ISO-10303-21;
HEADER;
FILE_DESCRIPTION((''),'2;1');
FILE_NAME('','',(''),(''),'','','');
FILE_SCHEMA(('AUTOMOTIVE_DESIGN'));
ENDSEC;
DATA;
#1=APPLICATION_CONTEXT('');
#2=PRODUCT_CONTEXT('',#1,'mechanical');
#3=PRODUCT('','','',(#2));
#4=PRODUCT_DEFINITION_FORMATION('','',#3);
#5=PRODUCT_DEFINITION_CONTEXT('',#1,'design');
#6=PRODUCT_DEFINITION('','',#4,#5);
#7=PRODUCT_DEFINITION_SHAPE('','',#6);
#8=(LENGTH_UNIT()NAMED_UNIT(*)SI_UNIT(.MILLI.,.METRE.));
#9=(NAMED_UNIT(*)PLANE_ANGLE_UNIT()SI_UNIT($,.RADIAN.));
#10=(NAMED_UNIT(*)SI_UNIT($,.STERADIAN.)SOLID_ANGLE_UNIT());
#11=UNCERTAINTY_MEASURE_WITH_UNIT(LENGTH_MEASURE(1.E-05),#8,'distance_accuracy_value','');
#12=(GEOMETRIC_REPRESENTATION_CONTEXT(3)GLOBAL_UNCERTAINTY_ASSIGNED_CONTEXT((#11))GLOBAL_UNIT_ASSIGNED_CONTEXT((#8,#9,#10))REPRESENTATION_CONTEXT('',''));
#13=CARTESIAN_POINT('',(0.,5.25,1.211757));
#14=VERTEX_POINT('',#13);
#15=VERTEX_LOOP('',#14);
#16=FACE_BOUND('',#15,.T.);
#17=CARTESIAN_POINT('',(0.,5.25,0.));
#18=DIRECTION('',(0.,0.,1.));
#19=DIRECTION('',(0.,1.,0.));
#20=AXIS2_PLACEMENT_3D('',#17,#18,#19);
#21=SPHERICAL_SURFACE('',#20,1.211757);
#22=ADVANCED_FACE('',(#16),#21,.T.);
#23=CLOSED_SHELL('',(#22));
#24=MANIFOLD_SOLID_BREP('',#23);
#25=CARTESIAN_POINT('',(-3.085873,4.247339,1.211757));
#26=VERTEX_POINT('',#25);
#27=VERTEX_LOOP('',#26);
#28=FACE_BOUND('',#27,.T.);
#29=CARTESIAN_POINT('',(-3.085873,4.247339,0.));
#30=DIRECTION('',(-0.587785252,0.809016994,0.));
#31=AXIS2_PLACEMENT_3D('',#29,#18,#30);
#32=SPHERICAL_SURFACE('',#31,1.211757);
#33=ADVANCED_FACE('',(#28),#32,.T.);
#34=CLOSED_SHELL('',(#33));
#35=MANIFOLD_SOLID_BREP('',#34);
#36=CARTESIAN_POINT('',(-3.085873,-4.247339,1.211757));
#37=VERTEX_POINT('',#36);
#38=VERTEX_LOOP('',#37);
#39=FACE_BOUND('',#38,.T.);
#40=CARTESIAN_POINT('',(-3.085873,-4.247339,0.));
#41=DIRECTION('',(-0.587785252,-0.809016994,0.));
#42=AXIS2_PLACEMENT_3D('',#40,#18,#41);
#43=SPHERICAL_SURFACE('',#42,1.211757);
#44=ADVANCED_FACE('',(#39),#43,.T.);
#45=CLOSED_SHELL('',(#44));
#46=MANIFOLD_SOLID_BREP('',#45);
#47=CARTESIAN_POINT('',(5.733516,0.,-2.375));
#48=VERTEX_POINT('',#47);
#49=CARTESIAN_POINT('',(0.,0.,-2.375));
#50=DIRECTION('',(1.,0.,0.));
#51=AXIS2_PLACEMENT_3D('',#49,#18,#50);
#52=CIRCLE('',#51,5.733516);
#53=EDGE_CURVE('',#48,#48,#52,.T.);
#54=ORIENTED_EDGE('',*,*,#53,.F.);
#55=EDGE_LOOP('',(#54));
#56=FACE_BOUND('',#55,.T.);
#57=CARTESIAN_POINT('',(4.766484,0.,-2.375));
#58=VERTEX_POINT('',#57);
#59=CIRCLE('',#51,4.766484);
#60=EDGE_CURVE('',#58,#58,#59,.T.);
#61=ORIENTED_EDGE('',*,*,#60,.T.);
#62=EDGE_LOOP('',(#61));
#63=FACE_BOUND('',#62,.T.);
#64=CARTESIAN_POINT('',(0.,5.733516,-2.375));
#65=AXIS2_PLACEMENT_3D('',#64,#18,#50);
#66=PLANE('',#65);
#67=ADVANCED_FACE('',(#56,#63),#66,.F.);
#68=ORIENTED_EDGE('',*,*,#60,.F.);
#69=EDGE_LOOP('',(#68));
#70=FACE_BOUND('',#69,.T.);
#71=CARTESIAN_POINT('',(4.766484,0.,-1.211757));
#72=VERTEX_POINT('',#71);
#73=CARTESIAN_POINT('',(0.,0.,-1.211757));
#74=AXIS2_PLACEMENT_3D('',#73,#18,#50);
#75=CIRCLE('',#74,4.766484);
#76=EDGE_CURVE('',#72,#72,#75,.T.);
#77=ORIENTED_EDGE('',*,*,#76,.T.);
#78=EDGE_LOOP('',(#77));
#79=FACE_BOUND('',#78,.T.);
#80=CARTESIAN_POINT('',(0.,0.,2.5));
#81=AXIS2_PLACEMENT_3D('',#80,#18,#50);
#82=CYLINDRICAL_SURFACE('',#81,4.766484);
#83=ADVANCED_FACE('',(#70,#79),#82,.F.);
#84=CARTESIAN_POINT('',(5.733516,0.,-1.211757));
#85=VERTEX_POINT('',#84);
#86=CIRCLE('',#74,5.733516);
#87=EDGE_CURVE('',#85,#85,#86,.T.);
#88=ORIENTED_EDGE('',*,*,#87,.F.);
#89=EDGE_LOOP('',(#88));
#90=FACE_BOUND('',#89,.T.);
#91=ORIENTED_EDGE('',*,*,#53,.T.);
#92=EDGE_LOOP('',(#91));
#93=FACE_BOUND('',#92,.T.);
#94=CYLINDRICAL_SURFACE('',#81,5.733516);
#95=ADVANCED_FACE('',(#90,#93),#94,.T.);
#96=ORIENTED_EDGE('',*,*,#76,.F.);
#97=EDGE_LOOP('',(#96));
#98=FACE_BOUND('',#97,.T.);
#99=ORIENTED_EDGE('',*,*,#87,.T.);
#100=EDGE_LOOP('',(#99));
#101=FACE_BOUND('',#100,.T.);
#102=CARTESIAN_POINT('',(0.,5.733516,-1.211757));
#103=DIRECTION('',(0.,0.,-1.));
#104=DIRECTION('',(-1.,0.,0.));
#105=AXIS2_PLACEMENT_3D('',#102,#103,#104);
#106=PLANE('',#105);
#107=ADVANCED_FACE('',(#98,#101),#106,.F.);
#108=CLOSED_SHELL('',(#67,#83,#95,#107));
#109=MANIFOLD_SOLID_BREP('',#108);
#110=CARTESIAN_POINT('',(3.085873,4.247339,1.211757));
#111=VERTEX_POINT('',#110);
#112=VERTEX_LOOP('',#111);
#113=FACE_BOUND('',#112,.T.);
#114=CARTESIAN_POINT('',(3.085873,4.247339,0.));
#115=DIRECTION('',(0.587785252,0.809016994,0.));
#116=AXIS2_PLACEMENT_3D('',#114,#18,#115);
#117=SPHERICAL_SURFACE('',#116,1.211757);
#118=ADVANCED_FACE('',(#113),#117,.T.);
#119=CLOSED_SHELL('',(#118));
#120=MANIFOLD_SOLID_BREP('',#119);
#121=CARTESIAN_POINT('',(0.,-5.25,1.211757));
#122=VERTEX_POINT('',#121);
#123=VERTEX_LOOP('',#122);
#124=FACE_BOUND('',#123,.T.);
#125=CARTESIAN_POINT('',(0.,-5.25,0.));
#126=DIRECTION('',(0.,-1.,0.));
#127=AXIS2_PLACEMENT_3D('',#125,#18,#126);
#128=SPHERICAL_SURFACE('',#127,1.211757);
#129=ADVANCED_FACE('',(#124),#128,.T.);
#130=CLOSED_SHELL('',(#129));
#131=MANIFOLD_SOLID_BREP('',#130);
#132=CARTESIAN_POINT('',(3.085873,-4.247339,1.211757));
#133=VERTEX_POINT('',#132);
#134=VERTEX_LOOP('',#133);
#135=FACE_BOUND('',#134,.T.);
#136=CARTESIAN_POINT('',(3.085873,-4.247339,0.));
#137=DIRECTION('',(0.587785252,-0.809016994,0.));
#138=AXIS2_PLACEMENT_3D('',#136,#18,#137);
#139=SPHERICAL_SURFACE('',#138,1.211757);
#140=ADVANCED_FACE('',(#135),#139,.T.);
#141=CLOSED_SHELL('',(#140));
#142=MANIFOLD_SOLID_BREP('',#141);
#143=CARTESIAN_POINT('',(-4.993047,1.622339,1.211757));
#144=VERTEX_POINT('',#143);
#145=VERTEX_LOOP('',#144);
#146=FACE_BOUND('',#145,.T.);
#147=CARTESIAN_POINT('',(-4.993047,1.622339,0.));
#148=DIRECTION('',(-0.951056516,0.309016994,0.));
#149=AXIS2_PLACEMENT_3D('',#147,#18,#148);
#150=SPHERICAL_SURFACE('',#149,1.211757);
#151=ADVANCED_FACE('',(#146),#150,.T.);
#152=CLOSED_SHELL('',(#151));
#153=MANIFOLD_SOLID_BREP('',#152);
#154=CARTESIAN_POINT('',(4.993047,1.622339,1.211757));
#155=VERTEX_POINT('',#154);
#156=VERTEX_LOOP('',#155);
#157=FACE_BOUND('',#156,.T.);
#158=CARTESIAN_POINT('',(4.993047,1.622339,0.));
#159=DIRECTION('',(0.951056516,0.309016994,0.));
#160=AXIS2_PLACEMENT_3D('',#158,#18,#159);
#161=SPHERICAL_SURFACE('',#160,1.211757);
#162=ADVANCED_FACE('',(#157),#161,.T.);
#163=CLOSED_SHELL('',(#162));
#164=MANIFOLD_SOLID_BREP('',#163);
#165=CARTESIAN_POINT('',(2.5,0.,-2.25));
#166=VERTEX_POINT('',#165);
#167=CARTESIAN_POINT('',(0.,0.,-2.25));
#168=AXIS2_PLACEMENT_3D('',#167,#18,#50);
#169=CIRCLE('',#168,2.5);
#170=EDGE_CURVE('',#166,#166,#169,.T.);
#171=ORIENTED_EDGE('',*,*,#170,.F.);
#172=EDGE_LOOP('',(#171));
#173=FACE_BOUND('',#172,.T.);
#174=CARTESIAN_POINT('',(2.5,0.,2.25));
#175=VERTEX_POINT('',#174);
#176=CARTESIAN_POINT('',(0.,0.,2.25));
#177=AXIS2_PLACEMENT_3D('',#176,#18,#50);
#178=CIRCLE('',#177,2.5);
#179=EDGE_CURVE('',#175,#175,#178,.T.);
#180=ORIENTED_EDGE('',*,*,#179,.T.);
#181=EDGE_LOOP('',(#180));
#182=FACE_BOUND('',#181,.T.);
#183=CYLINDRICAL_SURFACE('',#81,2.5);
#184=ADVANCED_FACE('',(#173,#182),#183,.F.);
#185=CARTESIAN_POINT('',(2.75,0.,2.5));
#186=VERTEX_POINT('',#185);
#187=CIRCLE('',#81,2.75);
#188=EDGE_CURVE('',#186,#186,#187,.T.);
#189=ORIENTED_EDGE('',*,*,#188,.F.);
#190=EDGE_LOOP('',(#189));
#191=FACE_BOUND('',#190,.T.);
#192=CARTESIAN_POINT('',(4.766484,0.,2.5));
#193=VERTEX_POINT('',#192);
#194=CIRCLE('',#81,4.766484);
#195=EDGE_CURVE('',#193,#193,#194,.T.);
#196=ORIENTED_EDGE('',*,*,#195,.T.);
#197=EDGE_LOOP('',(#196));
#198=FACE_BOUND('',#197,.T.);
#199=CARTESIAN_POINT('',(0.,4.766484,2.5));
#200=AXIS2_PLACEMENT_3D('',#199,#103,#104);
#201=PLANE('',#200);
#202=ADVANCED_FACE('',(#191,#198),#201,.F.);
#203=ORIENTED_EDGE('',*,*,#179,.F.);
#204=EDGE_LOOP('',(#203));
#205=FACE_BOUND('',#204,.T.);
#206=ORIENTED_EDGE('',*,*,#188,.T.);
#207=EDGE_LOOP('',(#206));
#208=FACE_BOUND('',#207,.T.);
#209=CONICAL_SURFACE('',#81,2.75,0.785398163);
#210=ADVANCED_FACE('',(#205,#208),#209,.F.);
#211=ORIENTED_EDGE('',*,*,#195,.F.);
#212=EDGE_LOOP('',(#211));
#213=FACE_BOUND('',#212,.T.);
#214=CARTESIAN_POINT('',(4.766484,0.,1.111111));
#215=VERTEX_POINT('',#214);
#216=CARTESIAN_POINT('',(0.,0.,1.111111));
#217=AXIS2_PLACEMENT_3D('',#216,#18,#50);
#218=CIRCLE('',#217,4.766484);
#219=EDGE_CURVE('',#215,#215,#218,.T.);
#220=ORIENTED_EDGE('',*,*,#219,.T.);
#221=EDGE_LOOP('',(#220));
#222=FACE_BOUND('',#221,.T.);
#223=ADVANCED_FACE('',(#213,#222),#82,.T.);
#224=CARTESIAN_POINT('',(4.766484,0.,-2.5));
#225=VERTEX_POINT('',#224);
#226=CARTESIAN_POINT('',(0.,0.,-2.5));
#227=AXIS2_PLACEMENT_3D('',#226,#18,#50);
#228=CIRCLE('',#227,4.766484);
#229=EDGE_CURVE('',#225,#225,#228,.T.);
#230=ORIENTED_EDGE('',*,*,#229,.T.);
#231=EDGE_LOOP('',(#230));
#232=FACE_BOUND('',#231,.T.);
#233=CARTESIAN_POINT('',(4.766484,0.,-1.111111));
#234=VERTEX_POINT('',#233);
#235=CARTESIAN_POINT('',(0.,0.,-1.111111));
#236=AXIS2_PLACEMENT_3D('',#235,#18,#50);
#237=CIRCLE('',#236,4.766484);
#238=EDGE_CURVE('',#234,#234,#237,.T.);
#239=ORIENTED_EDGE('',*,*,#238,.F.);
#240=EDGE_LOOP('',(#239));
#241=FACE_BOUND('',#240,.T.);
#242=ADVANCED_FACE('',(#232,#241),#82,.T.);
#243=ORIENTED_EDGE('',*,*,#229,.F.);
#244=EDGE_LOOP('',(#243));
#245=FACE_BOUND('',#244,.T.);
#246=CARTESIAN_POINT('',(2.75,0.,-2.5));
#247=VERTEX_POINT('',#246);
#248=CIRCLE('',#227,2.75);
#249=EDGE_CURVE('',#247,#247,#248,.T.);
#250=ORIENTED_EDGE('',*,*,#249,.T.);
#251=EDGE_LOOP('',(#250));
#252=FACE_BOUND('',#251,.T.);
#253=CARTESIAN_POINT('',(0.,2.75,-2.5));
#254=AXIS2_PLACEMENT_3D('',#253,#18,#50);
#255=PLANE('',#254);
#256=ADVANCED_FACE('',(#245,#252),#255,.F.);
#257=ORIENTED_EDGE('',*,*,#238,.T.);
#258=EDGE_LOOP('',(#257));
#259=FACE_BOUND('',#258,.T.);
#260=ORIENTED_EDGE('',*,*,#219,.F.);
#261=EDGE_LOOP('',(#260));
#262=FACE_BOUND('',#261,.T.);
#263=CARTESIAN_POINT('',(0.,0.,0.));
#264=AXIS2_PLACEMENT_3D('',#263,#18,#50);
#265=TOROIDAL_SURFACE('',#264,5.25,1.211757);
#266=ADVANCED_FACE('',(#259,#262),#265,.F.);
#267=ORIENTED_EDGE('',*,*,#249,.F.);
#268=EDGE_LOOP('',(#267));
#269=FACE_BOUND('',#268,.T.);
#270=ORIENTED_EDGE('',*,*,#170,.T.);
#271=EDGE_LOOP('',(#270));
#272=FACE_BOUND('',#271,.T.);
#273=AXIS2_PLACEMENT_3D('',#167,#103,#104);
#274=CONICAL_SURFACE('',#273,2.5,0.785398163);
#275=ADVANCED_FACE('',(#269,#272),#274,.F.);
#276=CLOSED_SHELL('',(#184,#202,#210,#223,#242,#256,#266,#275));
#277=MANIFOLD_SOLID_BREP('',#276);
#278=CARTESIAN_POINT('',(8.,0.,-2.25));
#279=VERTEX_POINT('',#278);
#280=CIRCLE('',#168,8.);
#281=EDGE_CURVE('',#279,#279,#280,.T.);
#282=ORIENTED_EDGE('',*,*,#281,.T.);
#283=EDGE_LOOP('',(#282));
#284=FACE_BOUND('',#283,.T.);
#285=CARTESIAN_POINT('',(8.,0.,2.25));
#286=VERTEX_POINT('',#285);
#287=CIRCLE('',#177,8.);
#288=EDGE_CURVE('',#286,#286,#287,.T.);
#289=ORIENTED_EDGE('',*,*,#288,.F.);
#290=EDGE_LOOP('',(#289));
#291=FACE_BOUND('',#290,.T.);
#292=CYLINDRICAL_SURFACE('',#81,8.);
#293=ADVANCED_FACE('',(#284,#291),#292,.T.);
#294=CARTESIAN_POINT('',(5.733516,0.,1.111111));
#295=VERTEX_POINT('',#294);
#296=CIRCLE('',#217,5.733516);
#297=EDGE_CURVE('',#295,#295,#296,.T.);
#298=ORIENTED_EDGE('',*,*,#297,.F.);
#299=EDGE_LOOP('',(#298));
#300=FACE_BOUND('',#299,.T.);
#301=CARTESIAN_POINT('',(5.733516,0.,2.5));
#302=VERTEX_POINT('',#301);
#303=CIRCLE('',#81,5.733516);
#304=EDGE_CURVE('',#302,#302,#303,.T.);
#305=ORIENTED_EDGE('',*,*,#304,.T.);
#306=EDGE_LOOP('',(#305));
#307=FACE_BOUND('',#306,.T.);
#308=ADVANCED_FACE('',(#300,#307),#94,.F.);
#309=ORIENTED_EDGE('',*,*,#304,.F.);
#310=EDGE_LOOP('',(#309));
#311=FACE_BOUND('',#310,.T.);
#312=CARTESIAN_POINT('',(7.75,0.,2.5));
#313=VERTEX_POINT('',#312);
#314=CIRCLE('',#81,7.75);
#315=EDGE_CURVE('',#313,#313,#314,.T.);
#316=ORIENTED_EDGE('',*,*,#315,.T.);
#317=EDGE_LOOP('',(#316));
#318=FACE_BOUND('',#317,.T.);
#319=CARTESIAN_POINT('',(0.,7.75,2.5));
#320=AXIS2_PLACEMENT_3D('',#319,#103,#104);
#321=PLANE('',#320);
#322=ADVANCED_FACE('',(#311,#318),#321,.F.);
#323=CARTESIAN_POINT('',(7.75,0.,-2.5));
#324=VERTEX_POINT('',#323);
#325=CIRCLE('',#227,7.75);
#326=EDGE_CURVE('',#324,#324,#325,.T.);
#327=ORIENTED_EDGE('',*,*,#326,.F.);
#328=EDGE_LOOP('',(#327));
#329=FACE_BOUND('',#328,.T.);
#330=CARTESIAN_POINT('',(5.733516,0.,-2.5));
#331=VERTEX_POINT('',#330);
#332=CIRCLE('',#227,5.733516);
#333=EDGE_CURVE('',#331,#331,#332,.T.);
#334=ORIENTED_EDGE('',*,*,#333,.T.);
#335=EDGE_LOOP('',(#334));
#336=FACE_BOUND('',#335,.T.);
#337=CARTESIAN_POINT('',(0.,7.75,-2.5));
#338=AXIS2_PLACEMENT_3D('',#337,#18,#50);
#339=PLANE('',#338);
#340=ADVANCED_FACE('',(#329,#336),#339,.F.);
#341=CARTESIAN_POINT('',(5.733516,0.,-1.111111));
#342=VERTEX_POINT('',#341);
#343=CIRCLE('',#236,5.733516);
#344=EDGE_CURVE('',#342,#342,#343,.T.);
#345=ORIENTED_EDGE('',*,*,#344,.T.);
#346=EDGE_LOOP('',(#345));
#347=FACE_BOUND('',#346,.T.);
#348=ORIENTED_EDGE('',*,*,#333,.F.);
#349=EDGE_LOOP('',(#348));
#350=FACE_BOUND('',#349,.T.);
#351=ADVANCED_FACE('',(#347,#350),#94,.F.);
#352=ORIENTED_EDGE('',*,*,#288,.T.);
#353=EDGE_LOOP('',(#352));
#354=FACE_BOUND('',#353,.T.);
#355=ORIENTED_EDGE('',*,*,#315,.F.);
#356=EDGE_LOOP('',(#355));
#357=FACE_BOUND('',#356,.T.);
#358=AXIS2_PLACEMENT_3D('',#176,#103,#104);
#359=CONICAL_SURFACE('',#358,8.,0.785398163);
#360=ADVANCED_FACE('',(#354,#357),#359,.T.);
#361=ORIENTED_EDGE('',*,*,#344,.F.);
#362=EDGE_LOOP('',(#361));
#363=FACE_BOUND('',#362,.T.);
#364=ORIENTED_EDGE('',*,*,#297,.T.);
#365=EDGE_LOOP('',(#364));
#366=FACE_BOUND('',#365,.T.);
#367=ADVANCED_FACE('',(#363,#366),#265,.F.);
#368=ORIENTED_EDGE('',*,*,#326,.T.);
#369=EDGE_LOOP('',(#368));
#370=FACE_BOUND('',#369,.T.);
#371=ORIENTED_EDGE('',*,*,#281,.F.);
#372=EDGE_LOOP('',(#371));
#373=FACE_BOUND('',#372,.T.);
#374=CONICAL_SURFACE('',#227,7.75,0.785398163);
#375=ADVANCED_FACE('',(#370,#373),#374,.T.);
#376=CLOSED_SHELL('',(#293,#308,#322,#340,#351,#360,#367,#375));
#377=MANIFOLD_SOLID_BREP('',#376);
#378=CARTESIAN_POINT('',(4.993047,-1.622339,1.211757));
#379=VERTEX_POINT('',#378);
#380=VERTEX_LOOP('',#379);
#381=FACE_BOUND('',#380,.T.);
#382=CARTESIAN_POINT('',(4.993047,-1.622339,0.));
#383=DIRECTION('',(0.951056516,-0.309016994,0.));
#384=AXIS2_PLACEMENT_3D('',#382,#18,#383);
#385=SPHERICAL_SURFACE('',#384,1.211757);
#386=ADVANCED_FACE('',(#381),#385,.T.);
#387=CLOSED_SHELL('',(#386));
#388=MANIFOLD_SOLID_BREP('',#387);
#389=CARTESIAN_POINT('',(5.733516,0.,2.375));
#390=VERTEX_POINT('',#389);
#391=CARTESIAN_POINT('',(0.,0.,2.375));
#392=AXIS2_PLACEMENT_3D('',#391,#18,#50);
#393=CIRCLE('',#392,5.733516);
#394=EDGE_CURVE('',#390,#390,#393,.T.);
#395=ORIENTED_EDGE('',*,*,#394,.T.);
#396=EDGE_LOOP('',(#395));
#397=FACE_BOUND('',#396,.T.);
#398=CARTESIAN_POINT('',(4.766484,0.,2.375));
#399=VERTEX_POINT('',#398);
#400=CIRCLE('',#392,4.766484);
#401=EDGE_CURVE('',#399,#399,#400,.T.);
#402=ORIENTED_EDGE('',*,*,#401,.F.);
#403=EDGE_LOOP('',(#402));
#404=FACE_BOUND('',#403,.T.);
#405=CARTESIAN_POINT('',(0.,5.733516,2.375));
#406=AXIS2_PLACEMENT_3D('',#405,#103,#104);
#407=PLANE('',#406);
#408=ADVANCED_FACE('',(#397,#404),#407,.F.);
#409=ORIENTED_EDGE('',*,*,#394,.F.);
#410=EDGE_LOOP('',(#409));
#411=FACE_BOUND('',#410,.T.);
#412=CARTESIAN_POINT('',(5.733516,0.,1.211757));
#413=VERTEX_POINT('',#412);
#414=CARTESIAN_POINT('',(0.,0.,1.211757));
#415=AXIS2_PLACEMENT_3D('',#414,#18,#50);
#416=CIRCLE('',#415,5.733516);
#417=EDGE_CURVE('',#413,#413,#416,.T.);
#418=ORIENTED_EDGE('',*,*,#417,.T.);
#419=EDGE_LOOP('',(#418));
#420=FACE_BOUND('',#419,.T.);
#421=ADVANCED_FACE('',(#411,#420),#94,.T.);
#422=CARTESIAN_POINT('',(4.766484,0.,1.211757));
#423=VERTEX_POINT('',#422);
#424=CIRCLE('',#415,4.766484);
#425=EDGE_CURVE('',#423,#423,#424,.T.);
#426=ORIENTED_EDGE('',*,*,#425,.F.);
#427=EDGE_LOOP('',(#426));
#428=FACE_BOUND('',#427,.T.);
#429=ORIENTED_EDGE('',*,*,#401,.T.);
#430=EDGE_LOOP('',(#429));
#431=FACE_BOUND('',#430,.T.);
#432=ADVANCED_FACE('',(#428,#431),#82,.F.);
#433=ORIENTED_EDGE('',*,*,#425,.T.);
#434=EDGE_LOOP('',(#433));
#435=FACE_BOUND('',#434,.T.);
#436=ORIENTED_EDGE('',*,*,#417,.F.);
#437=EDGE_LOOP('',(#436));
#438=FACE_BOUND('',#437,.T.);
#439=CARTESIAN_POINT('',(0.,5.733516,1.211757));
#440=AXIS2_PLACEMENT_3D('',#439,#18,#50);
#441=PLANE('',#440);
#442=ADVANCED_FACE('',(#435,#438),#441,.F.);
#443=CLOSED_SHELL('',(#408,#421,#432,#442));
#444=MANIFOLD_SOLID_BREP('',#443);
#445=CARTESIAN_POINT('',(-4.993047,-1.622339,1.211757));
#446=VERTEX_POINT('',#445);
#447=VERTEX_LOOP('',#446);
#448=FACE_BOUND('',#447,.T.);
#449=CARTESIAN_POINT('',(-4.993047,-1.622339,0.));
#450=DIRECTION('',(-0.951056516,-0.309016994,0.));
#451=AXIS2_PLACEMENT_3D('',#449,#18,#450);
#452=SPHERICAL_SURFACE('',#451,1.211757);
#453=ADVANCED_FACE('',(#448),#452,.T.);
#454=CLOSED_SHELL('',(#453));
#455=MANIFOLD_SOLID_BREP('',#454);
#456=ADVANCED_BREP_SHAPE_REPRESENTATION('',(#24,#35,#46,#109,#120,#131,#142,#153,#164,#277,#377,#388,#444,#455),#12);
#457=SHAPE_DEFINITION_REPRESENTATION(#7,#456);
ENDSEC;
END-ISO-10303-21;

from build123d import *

# Parameters (mm, degrees)
CIRPATTERN1_COUNT = 10
SKETCH5_W         = 1.163242561
SKETCH5_H         = 0.967032968


with BuildPart() as part:
    # Sketch1 → Revolve1 (revolve)
    with BuildSketch(Plane(origin=(0, 0, 0), x_dir=(0, 0, -1), z_dir=(1, 0, 0))):
        with BuildLine():
            Line((2.25, 8), (-2.25, 8))
            Line((-2.25, 8), (-2.5, 7.75))
            Line((-2.5, 7.75), (-2.5, 5.733516484))
            Line((-2.5, 5.733516484), (-1.111111111, 5.733516484))
            ThreePointArc((-1.111111111, 5.733516484), (0, 6.461757439), (1.111111111, 5.733516484))
            Line((1.111111111, 5.733516484), (2.5, 5.733516484))
            Line((2.5, 5.733516484), (2.5, 7.75))
            Line((2.5, 7.75), (2.25, 8))
        make_face()
    revolve(axis=Axis((0, 0, 2.5), (0, 0, -1)))


with BuildPart() as body_2:
    # Sketch3 → Revolve3 (revolve)
    with BuildSketch(Plane(origin=(0, 0, 0), x_dir=(0, 0, -1), z_dir=(1, 0, 0))):
        with BuildLine():
            Line((-2.5, 4.766483516), (-1.111111111, 4.766483516))
            ThreePointArc((-1.111111111, 4.766483516), (0, 4.038242561), (1.111111111, 4.766483516))
            Line((1.111111111, 4.766483516), (2.5, 4.766483516))
            Line((2.5, 4.766483516), (2.5, 2.75))
            Line((2.5, 2.75), (2.25, 2.5))
            Line((2.25, 2.5), (-2.25, 2.5))
            Line((-2.25, 2.5), (-2.5, 2.75))
            Line((-2.5, 2.75), (-2.5, 4.766483516))
        make_face()
    revolve(axis=Axis((0, 0, 2.5), (0, 0, -1)))


with BuildPart() as body_3:
    # Sketch4 → Revolve4 (revolve)
    with BuildSketch(Plane(origin=(0, 0, 0), x_dir=(0, 0, -1), z_dir=(1, 0, 0))):
        with BuildLine():
            Line((-1.211757439, 5.25), (1.211757439, 5.25))
            ThreePointArc((1.211757439, 5.25), (0, 6.461757439), (-1.211757439, 5.25))
        make_face()
    revolve(axis=Axis((0, 5.25, 1.211757439), (0, 0, -1)))


with BuildPart() as cirpattern1_1:
    # CirPattern1: pattern copy
    add(body_3.part.rotate(Axis((0, 0, -2.5), (0, 0, 1)), 1 * 360 / CIRPATTERN1_COUNT))


with BuildPart() as cirpattern1_2:
    # CirPattern1: pattern copy
    add(body_3.part.rotate(Axis((0, 0, -2.5), (0, 0, 1)), 2 * 360 / CIRPATTERN1_COUNT))


with BuildPart() as cirpattern1_3:
    # CirPattern1: pattern copy
    add(body_3.part.rotate(Axis((0, 0, -2.5), (0, 0, 1)), 3 * 360 / CIRPATTERN1_COUNT))


with BuildPart() as cirpattern1_4:
    # CirPattern1: pattern copy
    add(body_3.part.rotate(Axis((0, 0, -2.5), (0, 0, 1)), 4 * 360 / CIRPATTERN1_COUNT))


with BuildPart() as cirpattern1_5:
    # CirPattern1: pattern copy
    add(body_3.part.rotate(Axis((0, 0, -2.5), (0, 0, 1)), 5 * 360 / CIRPATTERN1_COUNT))


with BuildPart() as cirpattern1_6:
    # CirPattern1: pattern copy
    add(body_3.part.rotate(Axis((0, 0, -2.5), (0, 0, 1)), 6 * 360 / CIRPATTERN1_COUNT))


with BuildPart() as cirpattern1_7:
    # CirPattern1: pattern copy
    add(body_3.part.rotate(Axis((0, 0, -2.5), (0, 0, 1)), 7 * 360 / CIRPATTERN1_COUNT))


with BuildPart() as cirpattern1_8:
    # CirPattern1: pattern copy
    add(body_3.part.rotate(Axis((0, 0, -2.5), (0, 0, 1)), 8 * 360 / CIRPATTERN1_COUNT))


with BuildPart() as cirpattern1_9:
    # CirPattern1: pattern copy
    add(body_3.part.rotate(Axis((0, 0, -2.5), (0, 0, 1)), 9 * 360 / CIRPATTERN1_COUNT))


with BuildPart() as body_13:
    # Sketch5 → Revolve5 (revolve)
    with BuildSketch(Plane(origin=(0, 0, 0), x_dir=(0, 0, -1), z_dir=(1, 0, 0))):
        with Locations((-1.79337872, 5.25)):
            Rectangle(SKETCH5_W, SKETCH5_H)
        with Locations((1.79337872, 5.25)):
            Rectangle(SKETCH5_W, SKETCH5_H)
    revolve(axis=Axis((0, 0, 2.5), (0, 0, -1)))


solid = Compound([part.part, body_2.part, body_3.part, cirpattern1_1.part, cirpattern1_2.part, cirpattern1_3.part, cirpattern1_4.part, cirpattern1_5.part, cirpattern1_6.part, cirpattern1_7.part, cirpattern1_8.part, cirpattern1_9.part, body_13.part])
